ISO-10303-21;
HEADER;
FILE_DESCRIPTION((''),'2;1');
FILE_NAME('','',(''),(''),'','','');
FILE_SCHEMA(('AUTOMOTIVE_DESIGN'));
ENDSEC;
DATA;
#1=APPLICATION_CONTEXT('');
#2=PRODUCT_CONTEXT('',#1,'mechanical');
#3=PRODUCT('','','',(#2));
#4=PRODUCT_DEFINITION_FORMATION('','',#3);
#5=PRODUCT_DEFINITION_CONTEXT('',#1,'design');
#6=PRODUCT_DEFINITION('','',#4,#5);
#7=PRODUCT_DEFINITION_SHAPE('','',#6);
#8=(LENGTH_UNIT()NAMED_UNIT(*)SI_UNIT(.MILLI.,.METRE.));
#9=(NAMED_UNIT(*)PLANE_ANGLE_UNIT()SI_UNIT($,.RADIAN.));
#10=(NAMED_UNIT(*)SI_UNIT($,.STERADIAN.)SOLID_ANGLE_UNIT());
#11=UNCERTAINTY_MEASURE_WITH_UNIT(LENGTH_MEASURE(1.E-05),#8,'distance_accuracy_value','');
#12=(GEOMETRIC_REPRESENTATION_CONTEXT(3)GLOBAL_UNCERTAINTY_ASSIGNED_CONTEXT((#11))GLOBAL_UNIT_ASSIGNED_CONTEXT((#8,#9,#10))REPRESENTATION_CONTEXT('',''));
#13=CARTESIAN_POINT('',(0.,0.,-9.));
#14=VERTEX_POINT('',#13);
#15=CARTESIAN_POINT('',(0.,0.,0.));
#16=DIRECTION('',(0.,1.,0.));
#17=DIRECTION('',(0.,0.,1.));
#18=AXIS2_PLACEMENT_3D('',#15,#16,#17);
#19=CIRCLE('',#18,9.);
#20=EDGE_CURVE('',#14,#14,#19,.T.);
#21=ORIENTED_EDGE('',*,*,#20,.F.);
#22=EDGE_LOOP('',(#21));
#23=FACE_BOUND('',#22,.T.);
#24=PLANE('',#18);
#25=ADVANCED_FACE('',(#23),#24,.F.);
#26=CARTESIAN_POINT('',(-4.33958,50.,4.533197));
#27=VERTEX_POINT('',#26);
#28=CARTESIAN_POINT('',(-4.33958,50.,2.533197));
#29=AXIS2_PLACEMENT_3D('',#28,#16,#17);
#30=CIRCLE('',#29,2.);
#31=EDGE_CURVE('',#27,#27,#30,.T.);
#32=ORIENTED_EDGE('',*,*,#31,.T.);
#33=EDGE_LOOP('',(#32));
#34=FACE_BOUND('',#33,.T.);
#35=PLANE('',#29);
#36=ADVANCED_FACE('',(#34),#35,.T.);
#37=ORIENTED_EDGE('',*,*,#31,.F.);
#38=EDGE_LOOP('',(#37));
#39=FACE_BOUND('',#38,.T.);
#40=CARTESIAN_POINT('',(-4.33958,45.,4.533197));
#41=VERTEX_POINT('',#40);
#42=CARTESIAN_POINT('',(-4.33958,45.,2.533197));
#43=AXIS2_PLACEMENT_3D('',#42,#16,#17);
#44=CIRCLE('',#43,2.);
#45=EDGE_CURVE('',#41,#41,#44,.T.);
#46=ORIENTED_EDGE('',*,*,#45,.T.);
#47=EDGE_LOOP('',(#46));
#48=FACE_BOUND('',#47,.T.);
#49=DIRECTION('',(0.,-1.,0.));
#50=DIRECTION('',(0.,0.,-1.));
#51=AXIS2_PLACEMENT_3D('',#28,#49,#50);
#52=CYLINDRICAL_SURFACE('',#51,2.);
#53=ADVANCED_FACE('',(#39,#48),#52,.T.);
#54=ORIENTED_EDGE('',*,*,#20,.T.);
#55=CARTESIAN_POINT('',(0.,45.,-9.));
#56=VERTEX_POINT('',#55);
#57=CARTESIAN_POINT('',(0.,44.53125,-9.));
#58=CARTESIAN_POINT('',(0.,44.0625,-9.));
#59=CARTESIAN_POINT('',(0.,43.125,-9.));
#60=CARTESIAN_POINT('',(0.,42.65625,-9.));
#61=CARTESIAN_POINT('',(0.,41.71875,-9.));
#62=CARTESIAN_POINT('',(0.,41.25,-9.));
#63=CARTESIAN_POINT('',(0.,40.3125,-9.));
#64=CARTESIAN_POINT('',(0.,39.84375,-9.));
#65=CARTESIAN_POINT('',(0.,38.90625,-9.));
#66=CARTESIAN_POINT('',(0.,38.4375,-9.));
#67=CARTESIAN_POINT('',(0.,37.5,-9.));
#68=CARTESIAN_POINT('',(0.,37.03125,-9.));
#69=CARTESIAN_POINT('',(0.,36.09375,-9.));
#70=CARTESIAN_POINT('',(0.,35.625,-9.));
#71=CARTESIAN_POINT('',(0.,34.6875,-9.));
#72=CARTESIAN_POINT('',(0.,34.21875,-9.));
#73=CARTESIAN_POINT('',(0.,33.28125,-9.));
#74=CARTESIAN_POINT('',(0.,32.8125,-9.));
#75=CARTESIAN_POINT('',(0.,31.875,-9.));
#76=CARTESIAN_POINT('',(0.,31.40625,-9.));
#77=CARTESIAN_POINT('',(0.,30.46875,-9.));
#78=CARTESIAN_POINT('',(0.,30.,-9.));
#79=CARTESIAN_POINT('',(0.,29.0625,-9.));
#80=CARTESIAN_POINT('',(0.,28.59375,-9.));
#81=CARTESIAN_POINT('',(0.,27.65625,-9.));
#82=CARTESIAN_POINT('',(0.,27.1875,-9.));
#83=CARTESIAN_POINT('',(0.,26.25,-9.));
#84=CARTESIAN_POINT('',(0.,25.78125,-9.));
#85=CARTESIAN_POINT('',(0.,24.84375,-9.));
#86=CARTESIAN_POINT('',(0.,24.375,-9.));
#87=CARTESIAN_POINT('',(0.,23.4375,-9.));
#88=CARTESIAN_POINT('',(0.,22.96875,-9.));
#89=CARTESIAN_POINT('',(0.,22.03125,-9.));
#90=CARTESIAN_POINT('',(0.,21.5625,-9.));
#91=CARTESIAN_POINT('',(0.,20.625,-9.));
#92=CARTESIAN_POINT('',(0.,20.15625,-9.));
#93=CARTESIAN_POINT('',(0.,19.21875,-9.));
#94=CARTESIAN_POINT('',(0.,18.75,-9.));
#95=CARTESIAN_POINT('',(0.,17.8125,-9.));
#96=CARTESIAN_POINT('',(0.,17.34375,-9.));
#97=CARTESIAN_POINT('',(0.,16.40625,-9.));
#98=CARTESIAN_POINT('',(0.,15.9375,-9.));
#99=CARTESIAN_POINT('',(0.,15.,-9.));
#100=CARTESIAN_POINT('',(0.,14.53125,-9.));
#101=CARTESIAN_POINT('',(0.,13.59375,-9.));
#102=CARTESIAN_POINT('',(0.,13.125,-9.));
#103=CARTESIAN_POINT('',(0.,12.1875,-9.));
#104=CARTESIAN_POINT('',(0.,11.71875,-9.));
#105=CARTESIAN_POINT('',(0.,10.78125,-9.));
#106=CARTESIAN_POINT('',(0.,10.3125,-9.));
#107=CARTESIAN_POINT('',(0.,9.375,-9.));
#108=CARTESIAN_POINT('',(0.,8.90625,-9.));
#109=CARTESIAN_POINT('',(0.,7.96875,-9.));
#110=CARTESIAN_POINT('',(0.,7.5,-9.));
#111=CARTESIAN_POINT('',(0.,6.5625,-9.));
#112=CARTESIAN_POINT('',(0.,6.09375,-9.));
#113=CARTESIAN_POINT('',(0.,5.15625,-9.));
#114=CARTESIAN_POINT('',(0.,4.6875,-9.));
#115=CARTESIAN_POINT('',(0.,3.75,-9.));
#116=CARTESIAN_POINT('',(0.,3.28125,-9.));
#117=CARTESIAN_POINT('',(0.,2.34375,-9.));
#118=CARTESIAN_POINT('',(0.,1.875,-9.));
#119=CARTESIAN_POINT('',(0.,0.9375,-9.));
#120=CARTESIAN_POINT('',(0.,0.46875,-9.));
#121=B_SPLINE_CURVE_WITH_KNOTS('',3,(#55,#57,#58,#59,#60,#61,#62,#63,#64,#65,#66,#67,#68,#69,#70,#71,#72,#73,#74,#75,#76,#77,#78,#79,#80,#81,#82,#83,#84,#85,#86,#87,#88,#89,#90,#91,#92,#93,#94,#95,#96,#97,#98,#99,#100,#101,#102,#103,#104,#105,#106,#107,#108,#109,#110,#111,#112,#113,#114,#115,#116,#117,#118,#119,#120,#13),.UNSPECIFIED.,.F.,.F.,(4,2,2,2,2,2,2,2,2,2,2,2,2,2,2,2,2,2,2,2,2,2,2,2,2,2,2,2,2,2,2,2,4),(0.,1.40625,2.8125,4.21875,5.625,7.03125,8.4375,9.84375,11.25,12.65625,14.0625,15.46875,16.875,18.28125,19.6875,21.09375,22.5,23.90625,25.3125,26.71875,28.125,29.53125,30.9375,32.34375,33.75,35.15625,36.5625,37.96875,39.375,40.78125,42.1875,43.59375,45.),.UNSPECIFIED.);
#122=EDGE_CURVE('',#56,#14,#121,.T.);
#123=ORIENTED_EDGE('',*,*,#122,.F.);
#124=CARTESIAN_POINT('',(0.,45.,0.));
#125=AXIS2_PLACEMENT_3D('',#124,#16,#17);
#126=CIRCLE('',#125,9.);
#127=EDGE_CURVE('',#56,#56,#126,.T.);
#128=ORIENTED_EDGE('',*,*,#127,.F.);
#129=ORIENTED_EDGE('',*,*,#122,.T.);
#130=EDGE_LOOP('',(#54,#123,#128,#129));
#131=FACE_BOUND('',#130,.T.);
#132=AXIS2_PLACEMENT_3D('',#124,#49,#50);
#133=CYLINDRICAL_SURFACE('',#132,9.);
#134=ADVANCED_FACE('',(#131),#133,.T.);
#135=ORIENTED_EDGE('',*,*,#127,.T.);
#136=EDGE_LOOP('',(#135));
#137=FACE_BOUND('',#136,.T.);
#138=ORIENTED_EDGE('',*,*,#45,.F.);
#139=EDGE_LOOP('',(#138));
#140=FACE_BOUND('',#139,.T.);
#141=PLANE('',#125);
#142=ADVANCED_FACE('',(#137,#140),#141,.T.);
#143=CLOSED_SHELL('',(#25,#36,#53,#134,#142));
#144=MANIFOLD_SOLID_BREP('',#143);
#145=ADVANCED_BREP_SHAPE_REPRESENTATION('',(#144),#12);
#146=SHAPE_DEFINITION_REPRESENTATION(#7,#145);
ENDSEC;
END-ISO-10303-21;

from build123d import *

# Parameters (mm, degrees)
SKETCH_1_R      = 9
EXTRUDE_1_DEPTH = 45
SKETCH_2_R      = 2
EXTRUDE_2_DEPTH = 5


with BuildPart() as part:
    # 草图1 → 凸台-拉伸1 (new body)
    with BuildSketch(Plane(origin=(0, 0, 0), x_dir=(1, 0, 0), z_dir=(0, 1, 0))):
        with Locations(Location((0, 0, 0), (0, 0, 90))):
            Circle(SKETCH_1_R)
    extrude(amount=EXTRUDE_1_DEPTH)

    # 草图2 → 凸台-拉伸2 (add)
    with BuildSketch(Plane(origin=(0, 45, 0), x_dir=(1, 0, 0), z_dir=(0, 1, 0))):
        with Locations(Location((-4.339580044, -2.533196547, 0), (0, 0, 270))):
            Circle(SKETCH_2_R)
    extrude(amount=EXTRUDE_2_DEPTH)


solid = part.part
